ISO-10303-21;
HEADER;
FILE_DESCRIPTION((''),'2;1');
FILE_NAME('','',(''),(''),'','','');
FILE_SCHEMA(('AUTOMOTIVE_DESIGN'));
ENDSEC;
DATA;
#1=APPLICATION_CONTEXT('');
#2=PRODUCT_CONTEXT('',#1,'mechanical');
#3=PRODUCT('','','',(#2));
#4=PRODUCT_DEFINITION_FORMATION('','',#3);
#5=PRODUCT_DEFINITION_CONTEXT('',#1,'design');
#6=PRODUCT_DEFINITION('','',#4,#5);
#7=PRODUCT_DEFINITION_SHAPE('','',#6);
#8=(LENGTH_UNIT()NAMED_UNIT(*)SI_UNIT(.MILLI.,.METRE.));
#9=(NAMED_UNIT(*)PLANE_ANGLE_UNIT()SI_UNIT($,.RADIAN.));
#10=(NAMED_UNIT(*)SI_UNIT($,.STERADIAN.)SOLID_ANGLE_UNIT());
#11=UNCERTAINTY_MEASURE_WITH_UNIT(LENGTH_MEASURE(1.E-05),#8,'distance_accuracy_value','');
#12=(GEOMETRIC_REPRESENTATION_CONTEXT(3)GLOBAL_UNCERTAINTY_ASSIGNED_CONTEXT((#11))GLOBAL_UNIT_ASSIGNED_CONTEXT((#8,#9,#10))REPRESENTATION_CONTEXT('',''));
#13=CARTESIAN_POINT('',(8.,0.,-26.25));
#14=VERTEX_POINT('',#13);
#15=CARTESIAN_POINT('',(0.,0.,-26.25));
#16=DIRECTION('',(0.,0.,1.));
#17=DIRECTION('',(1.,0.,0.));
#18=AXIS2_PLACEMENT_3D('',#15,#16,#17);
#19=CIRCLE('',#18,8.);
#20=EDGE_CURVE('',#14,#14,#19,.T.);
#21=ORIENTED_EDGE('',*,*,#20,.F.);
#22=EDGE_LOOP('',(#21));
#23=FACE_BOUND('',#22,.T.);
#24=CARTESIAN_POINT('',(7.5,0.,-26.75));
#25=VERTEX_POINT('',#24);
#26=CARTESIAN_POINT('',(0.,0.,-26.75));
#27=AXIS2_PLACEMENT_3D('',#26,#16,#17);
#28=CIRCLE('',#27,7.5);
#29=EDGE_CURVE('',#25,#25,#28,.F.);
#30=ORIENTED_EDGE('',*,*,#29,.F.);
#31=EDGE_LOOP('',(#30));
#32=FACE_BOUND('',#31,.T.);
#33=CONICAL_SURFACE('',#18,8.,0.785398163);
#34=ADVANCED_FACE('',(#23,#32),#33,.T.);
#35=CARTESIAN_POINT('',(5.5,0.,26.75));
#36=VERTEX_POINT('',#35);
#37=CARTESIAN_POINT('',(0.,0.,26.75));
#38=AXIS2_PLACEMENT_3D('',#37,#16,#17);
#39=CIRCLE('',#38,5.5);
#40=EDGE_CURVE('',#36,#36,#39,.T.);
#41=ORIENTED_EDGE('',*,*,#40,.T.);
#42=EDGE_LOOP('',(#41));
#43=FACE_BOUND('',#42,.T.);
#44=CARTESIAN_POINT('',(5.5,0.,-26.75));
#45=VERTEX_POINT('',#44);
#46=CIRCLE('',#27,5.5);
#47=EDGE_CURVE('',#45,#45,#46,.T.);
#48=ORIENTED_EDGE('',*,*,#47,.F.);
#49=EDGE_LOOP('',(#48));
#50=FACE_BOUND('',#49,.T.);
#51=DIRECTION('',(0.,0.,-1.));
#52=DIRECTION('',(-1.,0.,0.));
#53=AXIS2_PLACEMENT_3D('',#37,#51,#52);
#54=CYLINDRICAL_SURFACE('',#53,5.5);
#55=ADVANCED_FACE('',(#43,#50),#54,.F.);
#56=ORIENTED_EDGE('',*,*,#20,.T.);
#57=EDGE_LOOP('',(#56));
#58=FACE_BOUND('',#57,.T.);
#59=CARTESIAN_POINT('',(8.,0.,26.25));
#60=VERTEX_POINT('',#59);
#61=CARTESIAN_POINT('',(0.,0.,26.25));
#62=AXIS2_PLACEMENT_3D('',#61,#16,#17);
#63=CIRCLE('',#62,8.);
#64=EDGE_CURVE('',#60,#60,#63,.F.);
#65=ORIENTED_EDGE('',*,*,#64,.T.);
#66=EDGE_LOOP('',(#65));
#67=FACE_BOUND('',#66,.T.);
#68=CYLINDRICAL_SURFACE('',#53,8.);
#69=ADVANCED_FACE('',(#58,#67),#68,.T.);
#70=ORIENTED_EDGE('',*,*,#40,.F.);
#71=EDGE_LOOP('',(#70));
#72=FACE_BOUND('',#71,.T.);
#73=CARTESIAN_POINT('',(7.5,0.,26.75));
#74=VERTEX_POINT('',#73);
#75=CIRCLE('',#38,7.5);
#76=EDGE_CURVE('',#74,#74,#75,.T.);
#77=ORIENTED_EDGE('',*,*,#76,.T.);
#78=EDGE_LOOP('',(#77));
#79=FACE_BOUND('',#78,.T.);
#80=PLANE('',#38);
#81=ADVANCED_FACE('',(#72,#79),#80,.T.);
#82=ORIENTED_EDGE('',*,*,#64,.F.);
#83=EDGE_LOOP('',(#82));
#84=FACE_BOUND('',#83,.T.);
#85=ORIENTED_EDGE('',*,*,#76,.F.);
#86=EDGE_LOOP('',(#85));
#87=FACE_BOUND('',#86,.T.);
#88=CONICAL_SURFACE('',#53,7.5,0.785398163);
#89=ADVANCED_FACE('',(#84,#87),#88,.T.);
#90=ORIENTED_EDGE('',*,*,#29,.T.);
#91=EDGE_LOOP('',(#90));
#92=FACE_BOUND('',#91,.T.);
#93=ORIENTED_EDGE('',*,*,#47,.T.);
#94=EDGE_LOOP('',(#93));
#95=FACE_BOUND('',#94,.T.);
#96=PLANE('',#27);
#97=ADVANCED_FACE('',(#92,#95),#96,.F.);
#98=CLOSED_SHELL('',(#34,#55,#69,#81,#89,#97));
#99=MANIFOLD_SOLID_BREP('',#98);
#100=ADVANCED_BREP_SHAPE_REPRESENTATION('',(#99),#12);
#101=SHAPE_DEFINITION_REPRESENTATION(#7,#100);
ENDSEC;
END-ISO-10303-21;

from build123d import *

# Parameters (mm, degrees)
SKETCH1_R           = 8
SKETCH1_R_2         = 5.5
BOSS_EXTRUDE1_DEPTH = 26.75
CHAMFER1_SIZE       = 0.5


with BuildPart() as part:
    # Sketch1 → Boss-Extrude1 (new body, symmetric)
    with BuildSketch(Plane.XY):
        Circle(SKETCH1_R)
        Circle(SKETCH1_R_2, mode=Mode.SUBTRACT)
    extrude(amount=BOSS_EXTRUDE1_DEPTH, both=True)

    # Chamfer1
    chamfer1_edges = [part.edges().sort_by_distance(p)[0] for p in [
        (-8, 0, -26.75),
        (-8, 0, 26.75),
    ]]
    chamfer(chamfer1_edges, length=CHAMFER1_SIZE)


solid = part.part
